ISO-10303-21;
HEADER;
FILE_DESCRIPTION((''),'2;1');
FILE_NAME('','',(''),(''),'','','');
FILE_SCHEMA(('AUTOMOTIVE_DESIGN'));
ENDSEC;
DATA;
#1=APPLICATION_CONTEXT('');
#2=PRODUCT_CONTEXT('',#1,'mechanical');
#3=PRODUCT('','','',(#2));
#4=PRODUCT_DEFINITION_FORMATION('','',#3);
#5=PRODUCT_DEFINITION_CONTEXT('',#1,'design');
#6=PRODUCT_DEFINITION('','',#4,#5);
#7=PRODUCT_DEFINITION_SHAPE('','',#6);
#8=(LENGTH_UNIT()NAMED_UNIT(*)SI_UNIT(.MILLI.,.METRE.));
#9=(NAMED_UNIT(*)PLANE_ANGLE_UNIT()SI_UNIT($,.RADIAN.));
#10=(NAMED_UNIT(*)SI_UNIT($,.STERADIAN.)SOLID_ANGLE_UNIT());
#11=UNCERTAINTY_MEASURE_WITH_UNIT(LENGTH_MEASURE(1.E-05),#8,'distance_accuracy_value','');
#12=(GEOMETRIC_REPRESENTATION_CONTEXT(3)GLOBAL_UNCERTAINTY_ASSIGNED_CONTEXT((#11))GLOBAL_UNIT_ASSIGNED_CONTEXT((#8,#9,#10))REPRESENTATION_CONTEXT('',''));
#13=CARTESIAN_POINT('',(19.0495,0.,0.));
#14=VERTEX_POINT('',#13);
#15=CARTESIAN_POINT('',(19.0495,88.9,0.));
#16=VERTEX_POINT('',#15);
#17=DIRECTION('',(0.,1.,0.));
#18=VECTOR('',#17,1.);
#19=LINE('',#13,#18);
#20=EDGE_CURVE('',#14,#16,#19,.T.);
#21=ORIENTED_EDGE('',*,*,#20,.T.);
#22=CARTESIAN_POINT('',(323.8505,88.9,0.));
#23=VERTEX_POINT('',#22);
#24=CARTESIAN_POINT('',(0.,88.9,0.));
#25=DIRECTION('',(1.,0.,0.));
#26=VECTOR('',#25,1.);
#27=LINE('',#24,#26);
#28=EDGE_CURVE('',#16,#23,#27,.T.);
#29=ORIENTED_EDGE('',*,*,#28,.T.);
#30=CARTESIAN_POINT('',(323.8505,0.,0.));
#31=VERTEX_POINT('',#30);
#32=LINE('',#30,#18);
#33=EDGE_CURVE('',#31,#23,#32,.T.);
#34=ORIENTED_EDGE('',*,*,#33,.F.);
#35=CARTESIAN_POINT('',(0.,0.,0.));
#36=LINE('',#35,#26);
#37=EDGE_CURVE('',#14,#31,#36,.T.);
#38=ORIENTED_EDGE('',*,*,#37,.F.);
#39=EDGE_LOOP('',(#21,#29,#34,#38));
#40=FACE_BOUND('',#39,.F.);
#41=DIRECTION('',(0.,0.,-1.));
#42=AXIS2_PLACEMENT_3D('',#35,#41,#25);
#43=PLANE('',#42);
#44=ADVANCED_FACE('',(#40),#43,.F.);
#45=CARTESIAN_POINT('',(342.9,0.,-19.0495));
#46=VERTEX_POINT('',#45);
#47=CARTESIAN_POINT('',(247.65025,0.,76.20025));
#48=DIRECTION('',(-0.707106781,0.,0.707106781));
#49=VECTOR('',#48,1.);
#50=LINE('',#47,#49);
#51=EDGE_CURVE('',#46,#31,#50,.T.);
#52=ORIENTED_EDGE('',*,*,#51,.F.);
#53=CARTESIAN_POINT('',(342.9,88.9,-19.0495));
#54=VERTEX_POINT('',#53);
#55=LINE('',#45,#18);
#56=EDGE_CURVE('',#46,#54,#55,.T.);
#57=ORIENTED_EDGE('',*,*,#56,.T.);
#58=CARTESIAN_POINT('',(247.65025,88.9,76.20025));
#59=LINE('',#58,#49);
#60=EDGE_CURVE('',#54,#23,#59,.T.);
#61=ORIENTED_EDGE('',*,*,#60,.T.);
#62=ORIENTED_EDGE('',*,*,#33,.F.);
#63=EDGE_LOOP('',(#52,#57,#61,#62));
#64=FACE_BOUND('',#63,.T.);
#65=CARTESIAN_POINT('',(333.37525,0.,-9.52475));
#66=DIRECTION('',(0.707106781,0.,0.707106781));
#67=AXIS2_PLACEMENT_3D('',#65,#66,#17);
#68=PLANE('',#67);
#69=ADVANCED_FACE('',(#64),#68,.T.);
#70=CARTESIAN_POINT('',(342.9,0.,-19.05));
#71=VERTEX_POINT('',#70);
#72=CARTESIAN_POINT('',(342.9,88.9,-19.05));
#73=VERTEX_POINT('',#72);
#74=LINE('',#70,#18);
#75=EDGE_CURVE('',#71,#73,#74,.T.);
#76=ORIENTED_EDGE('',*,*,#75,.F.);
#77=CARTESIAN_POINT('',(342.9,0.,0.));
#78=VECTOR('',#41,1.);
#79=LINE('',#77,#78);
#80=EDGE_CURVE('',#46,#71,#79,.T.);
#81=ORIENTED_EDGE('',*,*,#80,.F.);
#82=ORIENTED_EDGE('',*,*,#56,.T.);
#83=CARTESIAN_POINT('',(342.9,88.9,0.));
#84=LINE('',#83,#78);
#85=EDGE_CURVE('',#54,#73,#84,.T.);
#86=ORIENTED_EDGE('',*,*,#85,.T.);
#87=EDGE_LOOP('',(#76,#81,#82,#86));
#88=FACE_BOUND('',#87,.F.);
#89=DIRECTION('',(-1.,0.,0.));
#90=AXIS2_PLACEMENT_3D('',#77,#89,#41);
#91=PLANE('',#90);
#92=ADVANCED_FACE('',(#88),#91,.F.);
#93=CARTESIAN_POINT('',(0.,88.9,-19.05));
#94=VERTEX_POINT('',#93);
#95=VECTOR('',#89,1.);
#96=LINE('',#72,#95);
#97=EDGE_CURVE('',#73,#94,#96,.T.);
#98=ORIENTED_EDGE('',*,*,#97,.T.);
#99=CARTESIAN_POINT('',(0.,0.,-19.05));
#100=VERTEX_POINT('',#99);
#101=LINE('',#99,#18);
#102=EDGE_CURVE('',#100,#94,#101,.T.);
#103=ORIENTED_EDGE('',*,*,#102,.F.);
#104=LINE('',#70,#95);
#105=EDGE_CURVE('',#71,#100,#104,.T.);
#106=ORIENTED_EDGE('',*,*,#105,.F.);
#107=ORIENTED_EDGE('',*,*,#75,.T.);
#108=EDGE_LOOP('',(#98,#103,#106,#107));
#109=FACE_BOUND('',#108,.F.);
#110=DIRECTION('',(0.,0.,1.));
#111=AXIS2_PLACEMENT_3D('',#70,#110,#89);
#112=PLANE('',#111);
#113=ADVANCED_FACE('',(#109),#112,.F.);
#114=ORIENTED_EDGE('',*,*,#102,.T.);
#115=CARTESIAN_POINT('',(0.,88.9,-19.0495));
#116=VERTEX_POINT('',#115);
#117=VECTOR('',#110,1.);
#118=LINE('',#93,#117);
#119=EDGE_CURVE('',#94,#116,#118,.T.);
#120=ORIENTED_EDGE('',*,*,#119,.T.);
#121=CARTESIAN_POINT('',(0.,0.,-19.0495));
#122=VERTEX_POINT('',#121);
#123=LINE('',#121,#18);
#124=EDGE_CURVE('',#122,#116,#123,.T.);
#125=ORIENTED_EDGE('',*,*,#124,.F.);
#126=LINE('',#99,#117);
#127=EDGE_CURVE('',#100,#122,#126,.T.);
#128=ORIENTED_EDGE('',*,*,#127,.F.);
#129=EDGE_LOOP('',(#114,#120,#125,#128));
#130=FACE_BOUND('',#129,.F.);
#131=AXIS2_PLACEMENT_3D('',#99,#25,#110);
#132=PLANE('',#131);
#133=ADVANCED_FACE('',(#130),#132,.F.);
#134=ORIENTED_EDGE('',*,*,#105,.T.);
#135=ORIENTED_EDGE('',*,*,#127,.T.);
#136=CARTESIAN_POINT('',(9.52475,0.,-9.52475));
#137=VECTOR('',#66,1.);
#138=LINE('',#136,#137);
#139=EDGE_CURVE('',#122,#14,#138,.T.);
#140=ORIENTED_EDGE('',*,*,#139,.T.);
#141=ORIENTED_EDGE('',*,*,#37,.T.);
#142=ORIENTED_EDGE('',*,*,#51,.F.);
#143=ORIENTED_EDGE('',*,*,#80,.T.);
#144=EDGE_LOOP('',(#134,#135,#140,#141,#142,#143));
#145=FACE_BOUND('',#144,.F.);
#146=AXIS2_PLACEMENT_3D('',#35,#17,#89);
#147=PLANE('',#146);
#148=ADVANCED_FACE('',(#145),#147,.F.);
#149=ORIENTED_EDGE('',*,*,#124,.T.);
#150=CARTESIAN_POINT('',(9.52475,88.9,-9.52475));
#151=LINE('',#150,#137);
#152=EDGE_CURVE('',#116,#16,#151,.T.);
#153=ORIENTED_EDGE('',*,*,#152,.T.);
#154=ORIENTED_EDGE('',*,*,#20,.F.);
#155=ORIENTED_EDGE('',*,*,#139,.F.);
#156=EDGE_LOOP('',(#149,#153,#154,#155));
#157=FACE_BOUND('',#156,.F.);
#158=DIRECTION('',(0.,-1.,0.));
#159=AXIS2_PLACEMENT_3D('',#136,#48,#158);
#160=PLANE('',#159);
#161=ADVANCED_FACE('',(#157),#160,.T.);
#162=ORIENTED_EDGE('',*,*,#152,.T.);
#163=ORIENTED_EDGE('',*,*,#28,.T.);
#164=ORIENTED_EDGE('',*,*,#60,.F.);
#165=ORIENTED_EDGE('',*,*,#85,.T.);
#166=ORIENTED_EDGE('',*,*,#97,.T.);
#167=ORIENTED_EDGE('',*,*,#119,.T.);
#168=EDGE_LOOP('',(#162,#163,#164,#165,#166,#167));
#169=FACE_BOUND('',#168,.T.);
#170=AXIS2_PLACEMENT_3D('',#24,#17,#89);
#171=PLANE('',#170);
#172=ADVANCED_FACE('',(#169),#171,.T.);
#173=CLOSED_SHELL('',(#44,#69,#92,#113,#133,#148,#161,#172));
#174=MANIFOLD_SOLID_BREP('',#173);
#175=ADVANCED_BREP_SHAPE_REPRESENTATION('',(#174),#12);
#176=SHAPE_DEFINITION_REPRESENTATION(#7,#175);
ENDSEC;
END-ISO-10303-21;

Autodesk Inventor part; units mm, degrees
ref_plane "YZ Plane" through (0, 0, 0) normal (1, 0, 0) x (0, 1, 0)
ref_plane "XZ Plane" through (0, 0, 0) normal (0, 1, 0) x (-1, 0, 0)
ref_plane "XY Plane" through (0, 0, 0) normal (0, 0, 1) x (1, 0, 0)
sketch "Sketch1" plane through (0, 0, 0) normal (0, 1, 0) x (-1, 0, 0)
  line L0 (0, 0) -> (-342.9, 0)
  line L1 (-342.9, 0) -> (-342.9, -19.05)
  line L2 (-342.9, -19.05) -> (0, -19.05)
  line L3 (0, -19.05) -> (0, 0)
  dimension "d0" = 342.9
  dimension "d1" = 19.05
extrude "Extrusion1" add sketch "Sketch1" along normal blind 88.9
chamfer "Chamfer1" distance 19.05 angle 45 2 edges at (342.9, 44.45, 0) (0, 44.45, 0)
properties part number "piece"
